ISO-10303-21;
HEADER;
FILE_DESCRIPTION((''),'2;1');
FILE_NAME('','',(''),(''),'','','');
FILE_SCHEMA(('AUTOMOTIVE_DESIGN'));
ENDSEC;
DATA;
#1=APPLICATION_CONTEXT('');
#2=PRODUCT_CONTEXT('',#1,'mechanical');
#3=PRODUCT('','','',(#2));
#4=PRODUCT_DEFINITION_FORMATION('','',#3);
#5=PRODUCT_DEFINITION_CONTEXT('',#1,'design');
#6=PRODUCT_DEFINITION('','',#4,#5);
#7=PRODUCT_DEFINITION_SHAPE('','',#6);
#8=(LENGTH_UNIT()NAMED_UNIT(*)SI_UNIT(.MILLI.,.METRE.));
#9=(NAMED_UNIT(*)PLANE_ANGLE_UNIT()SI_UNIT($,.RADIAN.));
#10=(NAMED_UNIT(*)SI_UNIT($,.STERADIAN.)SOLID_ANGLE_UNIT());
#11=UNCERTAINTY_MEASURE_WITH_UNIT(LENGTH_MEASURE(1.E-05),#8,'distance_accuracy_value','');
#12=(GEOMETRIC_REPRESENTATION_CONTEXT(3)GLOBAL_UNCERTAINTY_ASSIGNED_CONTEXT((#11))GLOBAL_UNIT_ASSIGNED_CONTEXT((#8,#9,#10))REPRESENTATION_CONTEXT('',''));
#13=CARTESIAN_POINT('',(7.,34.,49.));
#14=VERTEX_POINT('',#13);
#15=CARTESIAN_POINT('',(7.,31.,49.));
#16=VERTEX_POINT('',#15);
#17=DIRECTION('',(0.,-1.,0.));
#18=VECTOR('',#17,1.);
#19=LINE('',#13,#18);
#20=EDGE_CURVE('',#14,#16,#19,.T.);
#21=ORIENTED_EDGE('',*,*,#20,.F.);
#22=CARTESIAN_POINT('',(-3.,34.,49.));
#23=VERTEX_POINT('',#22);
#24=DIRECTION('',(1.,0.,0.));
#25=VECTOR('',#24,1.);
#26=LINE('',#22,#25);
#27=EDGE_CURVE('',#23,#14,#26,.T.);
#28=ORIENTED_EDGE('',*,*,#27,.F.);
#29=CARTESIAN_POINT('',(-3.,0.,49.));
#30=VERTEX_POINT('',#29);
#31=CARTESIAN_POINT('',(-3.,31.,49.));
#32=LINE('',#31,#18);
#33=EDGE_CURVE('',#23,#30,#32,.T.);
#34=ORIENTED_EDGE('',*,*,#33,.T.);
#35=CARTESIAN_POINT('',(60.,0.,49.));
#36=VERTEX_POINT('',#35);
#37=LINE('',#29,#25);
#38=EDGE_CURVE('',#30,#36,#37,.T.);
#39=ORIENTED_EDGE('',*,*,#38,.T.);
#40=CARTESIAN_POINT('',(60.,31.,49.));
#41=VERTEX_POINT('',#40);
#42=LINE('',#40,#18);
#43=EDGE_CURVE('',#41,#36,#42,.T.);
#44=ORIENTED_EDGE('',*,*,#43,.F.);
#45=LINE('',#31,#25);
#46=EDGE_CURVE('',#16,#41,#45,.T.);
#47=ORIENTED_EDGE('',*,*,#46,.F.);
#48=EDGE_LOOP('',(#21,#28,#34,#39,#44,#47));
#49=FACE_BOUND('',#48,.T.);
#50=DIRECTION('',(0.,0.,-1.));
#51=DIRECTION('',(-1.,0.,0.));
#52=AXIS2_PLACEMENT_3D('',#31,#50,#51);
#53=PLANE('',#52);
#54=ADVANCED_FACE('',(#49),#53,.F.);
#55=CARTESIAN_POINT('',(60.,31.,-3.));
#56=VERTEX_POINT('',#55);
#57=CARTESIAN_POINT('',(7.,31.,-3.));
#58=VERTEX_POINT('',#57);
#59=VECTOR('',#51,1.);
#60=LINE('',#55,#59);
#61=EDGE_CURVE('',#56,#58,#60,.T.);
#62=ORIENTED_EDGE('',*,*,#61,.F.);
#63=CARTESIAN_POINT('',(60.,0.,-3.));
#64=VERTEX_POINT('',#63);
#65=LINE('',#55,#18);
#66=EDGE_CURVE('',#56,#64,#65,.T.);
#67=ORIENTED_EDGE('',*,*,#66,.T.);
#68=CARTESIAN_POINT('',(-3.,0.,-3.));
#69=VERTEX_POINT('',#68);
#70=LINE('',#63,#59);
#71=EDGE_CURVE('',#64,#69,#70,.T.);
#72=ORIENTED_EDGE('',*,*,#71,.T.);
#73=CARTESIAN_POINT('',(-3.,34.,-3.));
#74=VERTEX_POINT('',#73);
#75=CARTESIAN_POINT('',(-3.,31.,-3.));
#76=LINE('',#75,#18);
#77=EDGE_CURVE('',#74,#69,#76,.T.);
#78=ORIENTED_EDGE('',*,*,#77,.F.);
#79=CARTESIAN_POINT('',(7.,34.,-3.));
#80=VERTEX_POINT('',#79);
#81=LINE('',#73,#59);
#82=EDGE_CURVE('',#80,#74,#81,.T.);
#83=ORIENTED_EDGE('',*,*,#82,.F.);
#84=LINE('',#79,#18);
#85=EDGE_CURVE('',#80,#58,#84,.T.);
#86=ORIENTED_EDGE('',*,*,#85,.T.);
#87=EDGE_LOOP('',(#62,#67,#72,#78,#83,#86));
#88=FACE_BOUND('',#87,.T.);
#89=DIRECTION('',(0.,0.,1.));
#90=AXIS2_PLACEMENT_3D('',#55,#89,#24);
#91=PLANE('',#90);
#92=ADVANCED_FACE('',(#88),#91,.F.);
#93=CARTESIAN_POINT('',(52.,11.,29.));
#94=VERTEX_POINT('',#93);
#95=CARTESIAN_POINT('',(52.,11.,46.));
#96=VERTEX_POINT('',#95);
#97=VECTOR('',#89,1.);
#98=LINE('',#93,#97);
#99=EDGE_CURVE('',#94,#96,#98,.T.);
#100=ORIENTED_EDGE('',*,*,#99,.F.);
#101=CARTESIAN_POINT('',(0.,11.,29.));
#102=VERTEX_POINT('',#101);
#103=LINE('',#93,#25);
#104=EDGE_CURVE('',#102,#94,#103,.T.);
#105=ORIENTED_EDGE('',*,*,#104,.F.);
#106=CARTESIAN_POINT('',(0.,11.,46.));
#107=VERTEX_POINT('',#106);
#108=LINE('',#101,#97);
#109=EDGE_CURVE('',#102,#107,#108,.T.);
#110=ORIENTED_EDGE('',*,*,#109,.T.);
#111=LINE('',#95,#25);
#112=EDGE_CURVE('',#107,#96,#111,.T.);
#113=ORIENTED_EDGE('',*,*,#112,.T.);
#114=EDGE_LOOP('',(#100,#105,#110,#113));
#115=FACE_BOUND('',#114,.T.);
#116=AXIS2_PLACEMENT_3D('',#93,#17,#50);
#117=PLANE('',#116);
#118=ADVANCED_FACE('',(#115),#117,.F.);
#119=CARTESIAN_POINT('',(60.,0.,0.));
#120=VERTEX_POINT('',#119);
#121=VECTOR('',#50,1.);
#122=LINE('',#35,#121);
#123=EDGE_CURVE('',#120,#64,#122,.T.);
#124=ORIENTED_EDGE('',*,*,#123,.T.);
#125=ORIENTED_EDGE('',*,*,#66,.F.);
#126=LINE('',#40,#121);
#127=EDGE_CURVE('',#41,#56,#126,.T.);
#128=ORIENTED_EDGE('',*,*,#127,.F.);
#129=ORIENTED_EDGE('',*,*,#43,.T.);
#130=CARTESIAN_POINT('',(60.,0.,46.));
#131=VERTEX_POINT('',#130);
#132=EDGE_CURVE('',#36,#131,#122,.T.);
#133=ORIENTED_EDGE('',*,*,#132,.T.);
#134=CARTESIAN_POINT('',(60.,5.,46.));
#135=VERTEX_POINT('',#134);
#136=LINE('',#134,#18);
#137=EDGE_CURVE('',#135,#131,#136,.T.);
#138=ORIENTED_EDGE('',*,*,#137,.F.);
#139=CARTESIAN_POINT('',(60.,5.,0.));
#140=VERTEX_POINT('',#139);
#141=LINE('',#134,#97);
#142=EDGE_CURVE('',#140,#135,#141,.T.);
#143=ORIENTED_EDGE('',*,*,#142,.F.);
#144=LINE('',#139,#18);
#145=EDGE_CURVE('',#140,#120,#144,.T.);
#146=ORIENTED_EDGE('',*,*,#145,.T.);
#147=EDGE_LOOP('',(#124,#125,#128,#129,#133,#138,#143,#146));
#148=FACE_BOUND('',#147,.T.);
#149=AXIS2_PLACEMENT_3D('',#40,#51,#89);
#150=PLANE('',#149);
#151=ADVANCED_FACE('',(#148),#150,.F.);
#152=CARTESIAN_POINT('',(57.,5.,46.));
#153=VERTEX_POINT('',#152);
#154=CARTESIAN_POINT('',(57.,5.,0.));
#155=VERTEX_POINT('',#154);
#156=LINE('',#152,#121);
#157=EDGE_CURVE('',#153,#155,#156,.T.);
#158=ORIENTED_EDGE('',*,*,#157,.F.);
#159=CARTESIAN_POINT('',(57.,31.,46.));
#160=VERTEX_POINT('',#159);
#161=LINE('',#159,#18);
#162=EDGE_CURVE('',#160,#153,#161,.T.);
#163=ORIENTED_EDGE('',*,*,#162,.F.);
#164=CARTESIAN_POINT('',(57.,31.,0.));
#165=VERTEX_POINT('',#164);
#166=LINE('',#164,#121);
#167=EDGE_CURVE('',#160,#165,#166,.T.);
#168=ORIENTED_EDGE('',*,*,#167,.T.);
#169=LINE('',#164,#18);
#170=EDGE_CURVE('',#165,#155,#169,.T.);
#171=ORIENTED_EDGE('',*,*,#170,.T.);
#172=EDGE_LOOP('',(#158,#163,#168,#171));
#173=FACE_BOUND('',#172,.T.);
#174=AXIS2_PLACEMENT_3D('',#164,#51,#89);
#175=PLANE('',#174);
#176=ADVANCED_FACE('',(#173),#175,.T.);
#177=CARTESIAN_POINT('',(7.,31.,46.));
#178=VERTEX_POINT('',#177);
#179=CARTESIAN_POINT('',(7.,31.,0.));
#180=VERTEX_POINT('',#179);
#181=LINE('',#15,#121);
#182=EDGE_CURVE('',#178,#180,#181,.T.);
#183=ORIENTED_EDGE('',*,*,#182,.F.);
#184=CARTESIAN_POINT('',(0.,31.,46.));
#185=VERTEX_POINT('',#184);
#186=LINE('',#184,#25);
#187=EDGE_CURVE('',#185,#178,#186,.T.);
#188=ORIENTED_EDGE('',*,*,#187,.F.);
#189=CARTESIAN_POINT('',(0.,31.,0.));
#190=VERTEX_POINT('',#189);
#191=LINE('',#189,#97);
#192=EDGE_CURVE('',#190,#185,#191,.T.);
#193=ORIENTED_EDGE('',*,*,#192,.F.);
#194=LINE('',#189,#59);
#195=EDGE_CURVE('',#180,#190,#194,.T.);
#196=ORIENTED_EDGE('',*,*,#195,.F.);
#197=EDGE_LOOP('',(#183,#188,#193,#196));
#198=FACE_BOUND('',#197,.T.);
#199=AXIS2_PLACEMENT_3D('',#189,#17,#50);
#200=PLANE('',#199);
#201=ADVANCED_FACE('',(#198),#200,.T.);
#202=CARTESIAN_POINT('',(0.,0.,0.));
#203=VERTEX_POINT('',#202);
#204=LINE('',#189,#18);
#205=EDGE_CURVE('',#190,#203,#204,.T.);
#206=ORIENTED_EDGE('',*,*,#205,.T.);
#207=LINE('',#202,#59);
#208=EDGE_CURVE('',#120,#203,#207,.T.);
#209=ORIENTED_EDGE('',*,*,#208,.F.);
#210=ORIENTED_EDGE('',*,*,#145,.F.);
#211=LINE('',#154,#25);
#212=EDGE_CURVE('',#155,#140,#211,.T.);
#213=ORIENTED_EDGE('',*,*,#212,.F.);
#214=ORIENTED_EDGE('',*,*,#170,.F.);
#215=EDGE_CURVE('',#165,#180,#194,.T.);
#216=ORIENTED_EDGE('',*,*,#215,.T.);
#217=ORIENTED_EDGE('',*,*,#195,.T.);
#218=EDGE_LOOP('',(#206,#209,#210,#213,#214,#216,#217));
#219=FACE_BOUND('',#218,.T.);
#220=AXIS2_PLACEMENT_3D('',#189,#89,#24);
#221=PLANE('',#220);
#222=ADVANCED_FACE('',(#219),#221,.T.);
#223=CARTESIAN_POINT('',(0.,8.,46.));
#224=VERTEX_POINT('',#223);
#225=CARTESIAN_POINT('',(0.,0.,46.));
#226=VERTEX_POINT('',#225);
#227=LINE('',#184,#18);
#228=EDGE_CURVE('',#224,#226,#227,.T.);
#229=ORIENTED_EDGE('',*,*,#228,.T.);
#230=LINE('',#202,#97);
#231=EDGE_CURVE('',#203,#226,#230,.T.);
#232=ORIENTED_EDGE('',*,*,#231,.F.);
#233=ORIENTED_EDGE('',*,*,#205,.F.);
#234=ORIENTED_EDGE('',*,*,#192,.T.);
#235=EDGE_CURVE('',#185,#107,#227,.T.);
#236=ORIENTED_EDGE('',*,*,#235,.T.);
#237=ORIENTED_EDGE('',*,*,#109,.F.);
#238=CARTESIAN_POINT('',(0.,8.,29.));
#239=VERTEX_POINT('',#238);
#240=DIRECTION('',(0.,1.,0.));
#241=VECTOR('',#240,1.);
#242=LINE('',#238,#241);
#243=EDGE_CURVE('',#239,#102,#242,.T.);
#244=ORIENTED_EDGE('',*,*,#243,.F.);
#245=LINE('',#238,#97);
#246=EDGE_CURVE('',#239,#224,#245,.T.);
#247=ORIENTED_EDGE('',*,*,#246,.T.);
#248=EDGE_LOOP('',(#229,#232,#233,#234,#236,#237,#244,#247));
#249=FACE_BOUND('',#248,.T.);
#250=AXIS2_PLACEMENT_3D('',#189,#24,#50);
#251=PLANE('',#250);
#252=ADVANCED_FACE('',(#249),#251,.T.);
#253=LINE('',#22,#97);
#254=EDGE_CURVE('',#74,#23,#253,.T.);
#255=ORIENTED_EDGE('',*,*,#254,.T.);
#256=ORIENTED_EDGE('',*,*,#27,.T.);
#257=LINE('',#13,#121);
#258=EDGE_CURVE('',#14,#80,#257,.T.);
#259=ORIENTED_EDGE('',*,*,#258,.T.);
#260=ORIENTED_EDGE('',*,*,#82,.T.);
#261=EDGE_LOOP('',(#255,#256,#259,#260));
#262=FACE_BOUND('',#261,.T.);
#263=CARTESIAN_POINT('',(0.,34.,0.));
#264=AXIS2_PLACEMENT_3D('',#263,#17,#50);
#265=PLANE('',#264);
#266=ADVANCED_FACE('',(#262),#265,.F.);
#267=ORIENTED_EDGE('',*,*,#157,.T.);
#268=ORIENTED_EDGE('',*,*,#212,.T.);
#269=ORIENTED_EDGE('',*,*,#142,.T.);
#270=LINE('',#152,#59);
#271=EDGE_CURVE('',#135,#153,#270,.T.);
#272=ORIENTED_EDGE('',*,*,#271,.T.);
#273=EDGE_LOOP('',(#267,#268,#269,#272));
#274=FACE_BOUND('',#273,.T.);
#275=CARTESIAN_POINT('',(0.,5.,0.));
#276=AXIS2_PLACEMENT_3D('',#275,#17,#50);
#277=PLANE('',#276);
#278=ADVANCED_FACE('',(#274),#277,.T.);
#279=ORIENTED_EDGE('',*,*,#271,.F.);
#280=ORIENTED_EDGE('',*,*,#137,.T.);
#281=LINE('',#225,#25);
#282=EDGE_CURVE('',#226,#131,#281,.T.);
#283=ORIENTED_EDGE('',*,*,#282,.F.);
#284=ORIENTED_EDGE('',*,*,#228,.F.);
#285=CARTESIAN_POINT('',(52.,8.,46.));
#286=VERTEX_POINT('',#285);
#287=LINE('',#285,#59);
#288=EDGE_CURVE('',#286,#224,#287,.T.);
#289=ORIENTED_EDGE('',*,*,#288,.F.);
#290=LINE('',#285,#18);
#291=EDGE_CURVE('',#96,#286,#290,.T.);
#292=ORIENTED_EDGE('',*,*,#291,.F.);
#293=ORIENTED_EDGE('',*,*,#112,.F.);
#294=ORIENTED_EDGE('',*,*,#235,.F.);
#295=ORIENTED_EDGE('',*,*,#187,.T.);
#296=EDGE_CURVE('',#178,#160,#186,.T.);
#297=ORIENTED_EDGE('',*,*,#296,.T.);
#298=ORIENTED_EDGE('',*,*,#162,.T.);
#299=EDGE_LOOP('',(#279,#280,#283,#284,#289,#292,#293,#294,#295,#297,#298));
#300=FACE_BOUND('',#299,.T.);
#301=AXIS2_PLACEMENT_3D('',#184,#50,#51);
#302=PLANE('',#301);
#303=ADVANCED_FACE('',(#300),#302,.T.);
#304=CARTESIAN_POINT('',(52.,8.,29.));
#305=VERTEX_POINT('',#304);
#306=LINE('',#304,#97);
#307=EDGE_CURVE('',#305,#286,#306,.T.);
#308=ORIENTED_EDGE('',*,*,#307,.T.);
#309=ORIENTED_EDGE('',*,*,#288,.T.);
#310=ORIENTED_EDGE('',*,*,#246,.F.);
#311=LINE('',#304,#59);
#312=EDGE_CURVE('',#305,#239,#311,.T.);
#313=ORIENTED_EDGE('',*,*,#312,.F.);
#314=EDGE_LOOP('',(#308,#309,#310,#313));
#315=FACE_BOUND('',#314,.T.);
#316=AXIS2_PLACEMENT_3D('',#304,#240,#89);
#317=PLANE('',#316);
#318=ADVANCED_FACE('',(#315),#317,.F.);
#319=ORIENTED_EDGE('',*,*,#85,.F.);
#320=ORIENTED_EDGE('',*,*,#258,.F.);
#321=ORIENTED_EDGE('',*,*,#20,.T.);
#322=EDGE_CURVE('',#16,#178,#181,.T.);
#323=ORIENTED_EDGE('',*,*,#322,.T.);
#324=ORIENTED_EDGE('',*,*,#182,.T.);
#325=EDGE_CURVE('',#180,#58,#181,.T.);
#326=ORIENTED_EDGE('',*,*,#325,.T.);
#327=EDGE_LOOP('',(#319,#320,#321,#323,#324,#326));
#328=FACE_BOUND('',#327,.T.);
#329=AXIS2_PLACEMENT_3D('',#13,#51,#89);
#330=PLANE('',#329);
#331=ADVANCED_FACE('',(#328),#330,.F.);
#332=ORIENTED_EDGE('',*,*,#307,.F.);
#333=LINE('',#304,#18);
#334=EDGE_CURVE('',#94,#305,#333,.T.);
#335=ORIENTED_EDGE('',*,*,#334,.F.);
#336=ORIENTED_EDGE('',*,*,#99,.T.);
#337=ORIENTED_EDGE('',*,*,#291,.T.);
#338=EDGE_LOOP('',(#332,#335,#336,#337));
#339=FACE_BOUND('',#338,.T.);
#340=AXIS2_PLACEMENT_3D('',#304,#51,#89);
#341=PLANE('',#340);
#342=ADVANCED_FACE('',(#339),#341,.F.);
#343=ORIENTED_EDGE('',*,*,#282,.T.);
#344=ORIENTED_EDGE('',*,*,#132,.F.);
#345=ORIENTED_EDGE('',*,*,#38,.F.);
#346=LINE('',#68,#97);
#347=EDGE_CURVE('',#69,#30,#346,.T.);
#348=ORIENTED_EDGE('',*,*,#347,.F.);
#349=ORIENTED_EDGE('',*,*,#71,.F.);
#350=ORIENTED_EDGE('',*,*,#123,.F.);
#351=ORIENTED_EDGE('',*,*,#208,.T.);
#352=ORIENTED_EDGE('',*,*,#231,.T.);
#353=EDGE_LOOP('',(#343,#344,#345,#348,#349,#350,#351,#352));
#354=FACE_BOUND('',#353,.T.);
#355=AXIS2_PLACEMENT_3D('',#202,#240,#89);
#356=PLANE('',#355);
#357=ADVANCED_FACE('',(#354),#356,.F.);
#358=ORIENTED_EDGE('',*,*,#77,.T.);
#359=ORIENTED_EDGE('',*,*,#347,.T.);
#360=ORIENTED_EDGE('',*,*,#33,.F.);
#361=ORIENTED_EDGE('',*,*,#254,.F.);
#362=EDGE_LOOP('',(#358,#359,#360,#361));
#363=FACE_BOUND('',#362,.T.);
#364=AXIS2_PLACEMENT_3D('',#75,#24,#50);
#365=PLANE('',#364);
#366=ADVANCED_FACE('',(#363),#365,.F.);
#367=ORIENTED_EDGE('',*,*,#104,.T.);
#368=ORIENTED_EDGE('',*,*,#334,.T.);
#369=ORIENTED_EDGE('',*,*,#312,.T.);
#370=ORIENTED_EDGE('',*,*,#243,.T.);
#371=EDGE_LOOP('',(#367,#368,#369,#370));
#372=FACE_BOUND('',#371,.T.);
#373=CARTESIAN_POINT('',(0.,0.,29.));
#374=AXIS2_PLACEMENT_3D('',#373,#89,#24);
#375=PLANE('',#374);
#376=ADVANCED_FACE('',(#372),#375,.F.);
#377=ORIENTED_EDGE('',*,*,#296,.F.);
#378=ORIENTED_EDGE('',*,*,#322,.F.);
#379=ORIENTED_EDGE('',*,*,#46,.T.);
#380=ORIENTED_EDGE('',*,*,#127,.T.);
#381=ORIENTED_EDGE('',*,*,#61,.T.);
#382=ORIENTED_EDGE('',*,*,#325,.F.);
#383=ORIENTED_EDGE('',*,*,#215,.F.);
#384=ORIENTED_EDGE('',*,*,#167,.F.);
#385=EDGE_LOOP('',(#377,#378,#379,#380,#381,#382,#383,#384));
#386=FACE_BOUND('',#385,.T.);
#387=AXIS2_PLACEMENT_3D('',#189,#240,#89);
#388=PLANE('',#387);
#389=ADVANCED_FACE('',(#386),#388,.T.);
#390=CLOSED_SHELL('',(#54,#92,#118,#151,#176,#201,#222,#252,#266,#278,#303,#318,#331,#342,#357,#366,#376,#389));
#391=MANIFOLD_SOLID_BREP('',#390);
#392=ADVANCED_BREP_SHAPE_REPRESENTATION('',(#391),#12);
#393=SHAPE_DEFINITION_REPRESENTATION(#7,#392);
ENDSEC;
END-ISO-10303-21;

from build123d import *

# Parameters (mm, degrees)
SKETCH2_W           = 63
SKETCH2_H           = 52
BOSS_EXTRUDE1_DEPTH = 31
SKETCH1_W           = 57
SKETCH1_H           = 46
CUT_EXTRUDE1_DEPTH  = 31
SKETCH3_W           = 3
SKETCH3_H           = 46
CUT_EXTRUDE2_DEPTH  = 5
SKETCH4_W           = 52
SKETCH4_H           = 3
BOSS_EXTRUDE2_DEPTH = 17
SKETCH5_W           = 10
SKETCH5_H           = 52
BOSS_EXTRUDE3_DEPTH = 3


with BuildPart() as part:
    # Sketch2 → Boss-Extrude1 (new body)
    with BuildSketch(Plane(origin=(0, 0, 0), x_dir=(1, 0, 0), z_dir=(0, 1, 0))):
        with Locations((28.5, -23)):
            Rectangle(SKETCH2_W, SKETCH2_H)
    extrude(amount=BOSS_EXTRUDE1_DEPTH)

    # Sketch1 → Cut-Extrude1 (cut)
    with BuildSketch(Plane(origin=(0, 0, 0), x_dir=(1, 0, 0), z_dir=(0, 1, 0))):
        with Locations((28.5, -23)):
            Rectangle(SKETCH1_W, SKETCH1_H)
    extrude(amount=CUT_EXTRUDE1_DEPTH, mode=Mode.SUBTRACT)

    # Sketch3 → Cut-Extrude2 (cut)
    with BuildSketch(Plane.XZ):
        with Locations((58.5, 23)):
            Rectangle(SKETCH3_W, SKETCH3_H)
    extrude(amount=-CUT_EXTRUDE2_DEPTH, mode=Mode.SUBTRACT)

    # Sketch4 → Boss-Extrude2 (add)
    with BuildSketch(Plane(origin=(0, 0, 46), x_dir=(-1, 0, 0), z_dir=(0, 0, -1))):
        with Locations((-26, 9.5)):
            Rectangle(SKETCH4_W, SKETCH4_H)
    extrude(amount=BOSS_EXTRUDE2_DEPTH)

    # Sketch5 → Boss-Extrude3 (add)
    with BuildSketch(Plane(origin=(0, 31, 0), x_dir=(1, 0, 0), z_dir=(0, 1, 0))):
        with Locations((2, -23)):
            Rectangle(SKETCH5_W, SKETCH5_H)
    extrude(amount=BOSS_EXTRUDE3_DEPTH)


solid = part.part
